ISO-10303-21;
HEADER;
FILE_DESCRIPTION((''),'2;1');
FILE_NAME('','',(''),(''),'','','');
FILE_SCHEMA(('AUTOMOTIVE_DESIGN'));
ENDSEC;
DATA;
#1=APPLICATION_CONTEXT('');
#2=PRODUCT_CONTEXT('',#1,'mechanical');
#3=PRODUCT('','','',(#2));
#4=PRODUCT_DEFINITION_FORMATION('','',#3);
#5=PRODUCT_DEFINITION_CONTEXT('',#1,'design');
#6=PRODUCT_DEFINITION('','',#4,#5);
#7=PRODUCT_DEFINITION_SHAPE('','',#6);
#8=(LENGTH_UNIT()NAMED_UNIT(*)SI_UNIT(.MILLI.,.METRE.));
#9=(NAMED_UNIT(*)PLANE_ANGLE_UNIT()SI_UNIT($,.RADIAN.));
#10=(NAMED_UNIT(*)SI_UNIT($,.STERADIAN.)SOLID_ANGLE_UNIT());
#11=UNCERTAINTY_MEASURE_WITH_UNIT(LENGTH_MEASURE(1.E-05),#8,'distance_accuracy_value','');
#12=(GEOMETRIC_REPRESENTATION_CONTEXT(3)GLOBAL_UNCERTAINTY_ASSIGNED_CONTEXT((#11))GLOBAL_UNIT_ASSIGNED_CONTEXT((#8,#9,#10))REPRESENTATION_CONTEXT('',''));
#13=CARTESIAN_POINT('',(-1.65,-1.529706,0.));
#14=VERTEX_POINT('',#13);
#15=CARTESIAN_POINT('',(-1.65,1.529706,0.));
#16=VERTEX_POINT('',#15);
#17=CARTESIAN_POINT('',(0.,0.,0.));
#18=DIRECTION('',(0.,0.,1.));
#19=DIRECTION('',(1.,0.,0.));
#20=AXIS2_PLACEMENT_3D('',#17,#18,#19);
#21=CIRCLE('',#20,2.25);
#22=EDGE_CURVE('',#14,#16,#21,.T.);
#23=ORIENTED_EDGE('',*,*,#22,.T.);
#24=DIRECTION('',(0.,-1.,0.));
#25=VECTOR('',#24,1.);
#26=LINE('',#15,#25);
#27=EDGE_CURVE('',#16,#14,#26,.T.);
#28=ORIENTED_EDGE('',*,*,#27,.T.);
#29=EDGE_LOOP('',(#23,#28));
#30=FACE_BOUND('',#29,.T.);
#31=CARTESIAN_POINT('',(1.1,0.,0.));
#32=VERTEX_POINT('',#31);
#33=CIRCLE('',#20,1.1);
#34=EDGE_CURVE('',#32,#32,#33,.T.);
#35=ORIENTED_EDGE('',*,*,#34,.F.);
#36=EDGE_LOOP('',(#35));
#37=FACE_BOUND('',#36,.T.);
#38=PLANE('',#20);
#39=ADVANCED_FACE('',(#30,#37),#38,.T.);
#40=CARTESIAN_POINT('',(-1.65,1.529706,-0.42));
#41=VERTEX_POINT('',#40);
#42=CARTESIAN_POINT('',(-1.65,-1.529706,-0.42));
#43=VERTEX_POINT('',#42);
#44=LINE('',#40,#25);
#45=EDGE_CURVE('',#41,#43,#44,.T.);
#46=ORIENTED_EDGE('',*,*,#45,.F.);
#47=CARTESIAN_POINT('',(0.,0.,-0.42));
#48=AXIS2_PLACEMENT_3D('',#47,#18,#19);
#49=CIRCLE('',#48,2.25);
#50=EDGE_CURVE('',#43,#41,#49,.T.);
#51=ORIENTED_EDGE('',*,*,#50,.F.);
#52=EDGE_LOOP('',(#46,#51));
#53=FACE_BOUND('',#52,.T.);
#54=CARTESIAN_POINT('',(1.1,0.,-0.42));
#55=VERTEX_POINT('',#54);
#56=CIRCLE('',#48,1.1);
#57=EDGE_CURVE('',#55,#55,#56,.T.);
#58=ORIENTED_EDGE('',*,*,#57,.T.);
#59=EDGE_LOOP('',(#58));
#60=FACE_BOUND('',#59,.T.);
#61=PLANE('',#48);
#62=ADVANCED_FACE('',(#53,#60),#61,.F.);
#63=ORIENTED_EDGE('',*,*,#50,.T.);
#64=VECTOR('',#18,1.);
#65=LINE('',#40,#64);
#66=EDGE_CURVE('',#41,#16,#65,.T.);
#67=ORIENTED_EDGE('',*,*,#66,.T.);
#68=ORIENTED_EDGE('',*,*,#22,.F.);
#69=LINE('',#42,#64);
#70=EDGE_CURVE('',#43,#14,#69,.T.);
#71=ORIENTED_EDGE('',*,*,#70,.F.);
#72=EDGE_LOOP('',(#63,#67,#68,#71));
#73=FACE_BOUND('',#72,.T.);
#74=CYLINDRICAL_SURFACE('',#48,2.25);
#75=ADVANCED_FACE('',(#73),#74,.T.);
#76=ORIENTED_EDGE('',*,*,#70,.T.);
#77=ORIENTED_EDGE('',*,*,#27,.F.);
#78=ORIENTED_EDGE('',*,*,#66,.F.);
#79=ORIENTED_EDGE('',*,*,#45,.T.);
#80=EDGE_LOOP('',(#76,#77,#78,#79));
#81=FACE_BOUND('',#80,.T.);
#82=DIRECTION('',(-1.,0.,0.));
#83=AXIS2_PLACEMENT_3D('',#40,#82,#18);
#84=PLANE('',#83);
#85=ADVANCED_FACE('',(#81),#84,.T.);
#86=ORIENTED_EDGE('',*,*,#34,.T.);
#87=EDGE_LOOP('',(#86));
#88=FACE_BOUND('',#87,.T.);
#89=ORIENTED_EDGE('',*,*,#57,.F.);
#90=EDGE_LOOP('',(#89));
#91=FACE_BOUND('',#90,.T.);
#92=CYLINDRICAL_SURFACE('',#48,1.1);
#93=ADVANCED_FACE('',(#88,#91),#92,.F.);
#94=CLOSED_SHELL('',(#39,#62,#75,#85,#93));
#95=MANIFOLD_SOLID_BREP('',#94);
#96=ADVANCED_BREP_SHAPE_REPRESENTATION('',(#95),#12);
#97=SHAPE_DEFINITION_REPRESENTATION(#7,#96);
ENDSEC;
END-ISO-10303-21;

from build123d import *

# Parameters (mm, degrees)
SKETCH1_R      = 1.1
EXTRUDE1_DEPTH = 0.42


with BuildPart() as part:
    # Sketch1 → Extrude1 (new body)
    with BuildSketch(Plane.XY):
        with BuildLine():
            Line((-1.65, 1.529705854), (-1.65, -1.529705854))
            ThreePointArc((-1.65, -1.529705854), (2.25, 0), (-1.65, 1.529705854))
        make_face()
        Circle(SKETCH1_R, mode=Mode.SUBTRACT)
    extrude(amount=-EXTRUDE1_DEPTH)


solid = part.part
